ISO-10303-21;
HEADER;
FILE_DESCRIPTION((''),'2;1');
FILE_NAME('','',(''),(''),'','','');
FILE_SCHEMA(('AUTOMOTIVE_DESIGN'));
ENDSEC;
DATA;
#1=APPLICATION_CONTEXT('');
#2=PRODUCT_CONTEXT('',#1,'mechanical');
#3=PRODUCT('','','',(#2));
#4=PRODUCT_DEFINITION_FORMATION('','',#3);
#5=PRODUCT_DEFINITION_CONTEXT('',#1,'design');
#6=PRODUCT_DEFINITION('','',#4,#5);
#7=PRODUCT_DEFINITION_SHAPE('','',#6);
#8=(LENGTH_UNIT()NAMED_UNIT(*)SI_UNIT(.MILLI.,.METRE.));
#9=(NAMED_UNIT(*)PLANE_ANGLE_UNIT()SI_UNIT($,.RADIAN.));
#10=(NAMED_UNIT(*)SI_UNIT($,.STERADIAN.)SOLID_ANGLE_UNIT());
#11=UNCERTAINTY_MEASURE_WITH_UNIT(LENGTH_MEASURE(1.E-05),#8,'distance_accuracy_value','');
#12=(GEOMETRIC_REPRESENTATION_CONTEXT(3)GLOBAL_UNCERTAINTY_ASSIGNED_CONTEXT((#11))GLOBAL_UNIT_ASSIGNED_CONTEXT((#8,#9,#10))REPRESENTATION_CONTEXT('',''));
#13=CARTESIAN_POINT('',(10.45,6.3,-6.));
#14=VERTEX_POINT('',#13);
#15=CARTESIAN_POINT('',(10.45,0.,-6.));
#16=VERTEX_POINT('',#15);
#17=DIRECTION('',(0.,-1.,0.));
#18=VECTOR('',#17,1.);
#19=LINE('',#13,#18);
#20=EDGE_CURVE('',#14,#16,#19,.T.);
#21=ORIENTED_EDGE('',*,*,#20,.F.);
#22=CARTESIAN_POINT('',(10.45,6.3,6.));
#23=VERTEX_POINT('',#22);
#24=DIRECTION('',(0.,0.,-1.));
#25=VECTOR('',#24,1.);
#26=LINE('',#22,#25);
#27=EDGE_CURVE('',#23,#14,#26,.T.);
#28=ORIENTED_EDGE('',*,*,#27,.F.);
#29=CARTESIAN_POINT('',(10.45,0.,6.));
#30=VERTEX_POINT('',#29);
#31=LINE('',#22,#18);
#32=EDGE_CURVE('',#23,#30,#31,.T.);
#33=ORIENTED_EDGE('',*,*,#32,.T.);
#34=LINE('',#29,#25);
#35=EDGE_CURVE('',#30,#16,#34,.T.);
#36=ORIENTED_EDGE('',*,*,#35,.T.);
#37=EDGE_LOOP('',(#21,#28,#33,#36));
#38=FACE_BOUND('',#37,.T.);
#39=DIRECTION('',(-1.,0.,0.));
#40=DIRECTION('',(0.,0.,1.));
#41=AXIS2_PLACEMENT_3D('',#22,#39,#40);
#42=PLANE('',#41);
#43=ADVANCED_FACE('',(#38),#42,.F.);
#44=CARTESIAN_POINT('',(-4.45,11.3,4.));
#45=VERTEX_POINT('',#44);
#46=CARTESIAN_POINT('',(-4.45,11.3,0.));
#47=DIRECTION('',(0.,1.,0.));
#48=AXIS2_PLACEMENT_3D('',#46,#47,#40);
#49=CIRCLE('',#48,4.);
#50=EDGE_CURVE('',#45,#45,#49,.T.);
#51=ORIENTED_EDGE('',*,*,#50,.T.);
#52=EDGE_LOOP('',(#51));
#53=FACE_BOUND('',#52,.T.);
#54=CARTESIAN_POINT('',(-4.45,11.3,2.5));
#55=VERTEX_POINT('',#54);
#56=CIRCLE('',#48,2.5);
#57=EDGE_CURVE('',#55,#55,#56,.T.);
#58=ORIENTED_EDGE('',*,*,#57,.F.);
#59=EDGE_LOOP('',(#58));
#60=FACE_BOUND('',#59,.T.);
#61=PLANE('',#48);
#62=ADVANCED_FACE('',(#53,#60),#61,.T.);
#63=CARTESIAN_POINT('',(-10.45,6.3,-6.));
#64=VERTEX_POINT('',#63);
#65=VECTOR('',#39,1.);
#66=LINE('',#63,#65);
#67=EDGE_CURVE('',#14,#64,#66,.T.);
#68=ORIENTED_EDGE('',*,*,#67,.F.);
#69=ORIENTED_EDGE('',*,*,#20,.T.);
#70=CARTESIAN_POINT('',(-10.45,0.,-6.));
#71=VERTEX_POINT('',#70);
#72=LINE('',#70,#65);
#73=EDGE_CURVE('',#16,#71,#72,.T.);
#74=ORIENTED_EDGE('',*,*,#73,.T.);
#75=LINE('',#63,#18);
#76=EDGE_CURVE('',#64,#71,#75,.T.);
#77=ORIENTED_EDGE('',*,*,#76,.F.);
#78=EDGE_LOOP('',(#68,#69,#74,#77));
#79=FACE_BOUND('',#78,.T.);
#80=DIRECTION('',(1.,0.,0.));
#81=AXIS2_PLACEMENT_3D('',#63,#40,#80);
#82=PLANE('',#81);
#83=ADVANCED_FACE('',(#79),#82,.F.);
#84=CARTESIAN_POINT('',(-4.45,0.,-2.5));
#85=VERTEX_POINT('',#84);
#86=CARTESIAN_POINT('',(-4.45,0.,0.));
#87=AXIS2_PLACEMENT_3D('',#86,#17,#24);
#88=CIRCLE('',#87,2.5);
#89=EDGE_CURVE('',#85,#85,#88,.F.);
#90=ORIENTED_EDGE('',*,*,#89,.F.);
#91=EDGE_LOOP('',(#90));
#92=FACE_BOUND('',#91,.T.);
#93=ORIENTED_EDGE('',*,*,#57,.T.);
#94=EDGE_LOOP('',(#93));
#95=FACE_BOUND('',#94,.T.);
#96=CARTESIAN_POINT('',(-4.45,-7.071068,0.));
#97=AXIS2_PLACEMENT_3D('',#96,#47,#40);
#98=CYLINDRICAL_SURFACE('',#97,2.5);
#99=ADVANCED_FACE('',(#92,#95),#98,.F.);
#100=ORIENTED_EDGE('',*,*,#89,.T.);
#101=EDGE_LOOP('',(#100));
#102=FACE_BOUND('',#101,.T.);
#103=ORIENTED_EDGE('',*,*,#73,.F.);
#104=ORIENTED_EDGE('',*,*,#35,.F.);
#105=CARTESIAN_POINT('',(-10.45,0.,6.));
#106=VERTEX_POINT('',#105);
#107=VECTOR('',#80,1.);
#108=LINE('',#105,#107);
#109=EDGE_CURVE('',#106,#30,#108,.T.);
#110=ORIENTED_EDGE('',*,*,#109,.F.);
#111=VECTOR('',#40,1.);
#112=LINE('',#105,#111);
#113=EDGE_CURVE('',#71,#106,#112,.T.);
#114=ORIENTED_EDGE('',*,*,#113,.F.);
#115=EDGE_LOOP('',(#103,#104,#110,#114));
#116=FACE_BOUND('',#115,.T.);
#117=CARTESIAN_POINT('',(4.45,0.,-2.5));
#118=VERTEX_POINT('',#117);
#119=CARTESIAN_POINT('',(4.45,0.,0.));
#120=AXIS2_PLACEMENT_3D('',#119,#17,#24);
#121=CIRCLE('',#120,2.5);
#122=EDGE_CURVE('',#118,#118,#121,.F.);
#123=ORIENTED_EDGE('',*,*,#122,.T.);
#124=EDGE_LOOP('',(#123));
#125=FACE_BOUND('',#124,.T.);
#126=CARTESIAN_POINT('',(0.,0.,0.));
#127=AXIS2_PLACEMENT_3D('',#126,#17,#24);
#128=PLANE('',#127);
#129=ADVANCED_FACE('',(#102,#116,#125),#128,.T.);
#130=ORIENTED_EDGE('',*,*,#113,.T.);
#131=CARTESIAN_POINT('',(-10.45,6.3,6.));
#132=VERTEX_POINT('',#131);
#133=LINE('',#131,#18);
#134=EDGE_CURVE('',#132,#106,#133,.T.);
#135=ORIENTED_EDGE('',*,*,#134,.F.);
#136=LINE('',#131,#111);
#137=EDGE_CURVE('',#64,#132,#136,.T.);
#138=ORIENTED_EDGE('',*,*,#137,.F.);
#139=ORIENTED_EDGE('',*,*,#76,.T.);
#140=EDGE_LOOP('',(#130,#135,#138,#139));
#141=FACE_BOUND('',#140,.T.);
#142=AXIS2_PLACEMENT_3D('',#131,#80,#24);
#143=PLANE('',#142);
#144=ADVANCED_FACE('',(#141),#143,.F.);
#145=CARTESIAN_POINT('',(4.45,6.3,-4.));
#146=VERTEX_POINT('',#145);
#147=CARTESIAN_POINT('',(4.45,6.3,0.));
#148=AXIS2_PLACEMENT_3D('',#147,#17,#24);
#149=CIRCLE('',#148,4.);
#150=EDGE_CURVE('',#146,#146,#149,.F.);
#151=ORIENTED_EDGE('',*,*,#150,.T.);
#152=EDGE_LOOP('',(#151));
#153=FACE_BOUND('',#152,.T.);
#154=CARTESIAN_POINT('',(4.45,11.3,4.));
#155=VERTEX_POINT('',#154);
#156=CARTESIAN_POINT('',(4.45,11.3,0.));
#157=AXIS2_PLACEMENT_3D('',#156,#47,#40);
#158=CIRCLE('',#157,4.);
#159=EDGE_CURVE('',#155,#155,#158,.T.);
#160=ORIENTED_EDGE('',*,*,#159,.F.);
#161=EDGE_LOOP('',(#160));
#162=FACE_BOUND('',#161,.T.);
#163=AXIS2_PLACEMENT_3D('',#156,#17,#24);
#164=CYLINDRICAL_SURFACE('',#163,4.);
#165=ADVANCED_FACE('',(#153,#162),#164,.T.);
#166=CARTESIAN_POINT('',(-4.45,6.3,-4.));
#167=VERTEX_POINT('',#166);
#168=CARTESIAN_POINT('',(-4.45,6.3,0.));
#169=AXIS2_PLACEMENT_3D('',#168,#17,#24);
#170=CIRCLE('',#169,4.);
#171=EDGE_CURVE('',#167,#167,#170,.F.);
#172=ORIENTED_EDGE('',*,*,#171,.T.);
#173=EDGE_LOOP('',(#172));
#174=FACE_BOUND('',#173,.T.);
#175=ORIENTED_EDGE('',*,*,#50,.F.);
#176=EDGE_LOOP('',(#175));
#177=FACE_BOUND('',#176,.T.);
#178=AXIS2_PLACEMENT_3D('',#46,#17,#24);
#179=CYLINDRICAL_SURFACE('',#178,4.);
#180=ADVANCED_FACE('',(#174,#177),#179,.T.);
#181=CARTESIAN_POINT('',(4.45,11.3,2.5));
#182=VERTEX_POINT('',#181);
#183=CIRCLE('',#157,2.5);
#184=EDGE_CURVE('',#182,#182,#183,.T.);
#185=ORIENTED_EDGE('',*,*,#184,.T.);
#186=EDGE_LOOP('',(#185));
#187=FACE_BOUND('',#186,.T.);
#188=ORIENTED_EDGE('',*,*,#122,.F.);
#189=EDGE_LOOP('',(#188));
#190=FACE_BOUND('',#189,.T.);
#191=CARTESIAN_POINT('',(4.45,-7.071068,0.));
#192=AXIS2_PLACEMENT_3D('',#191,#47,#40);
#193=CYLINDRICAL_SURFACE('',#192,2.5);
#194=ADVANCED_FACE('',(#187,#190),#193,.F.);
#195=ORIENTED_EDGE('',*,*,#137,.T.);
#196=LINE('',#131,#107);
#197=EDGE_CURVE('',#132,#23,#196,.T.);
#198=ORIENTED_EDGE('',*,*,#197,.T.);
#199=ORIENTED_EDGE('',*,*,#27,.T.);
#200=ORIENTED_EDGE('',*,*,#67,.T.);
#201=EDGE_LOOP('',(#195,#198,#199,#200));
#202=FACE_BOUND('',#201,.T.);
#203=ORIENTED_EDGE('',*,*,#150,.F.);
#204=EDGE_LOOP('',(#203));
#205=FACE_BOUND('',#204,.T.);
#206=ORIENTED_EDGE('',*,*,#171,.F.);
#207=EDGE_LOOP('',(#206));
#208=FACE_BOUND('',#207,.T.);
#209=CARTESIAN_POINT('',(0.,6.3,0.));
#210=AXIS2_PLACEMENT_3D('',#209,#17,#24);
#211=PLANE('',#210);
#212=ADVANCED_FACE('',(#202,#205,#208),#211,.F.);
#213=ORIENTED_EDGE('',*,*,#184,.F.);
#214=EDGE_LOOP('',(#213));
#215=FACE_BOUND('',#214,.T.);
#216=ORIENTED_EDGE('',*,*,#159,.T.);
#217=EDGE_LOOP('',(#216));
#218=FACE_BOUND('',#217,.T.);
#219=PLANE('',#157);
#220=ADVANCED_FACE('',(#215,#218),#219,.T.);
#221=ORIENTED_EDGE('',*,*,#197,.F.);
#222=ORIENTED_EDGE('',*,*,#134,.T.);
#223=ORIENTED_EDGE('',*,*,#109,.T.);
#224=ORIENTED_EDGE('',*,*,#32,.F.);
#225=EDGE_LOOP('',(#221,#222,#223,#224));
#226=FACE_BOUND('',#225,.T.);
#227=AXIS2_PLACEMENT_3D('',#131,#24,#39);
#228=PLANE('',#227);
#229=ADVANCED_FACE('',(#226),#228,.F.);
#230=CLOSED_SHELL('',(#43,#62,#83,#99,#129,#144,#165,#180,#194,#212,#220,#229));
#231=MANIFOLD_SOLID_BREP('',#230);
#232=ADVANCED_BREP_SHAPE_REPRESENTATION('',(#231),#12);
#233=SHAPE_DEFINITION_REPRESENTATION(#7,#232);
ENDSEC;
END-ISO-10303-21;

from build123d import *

# Parameters (mm, degrees)
SKETCH1_W           = 20.9
SKETCH1_H           = 12
BOSS_EXTRUDE1_DEPTH = 6.3
SKETCH2_R           = 4
BOSS_EXTRUDE2_DEPTH = 5
SKETCH3_R           = 2.5
CUT_EXTRUDE1_DEPTH  = 11.3


with BuildPart() as part:
    # Sketch1 → Boss-Extrude1 (new body)
    with BuildSketch(Plane(origin=(0, 0, 0), x_dir=(1, 0, 0), z_dir=(0, 1, 0))):
        Rectangle(SKETCH1_W, SKETCH1_H)
    extrude(amount=BOSS_EXTRUDE1_DEPTH)

    # Sketch2 → Boss-Extrude2 (add)
    with BuildSketch(Plane(origin=(0, 6.3, 0), x_dir=(1, 0, 0), z_dir=(0, 1, 0))):
        with Locations((-4.45, 0)):
            Circle(SKETCH2_R)
        with Locations((4.45, 0)):
            Circle(SKETCH2_R)
    extrude(amount=BOSS_EXTRUDE2_DEPTH)

    # Sketch3 → Cut-Extrude1 (cut)
    with BuildSketch(Plane(origin=(0, 11.3, 0), x_dir=(1, 0, 0), z_dir=(0, 1, 0))):
        with Locations((4.45, 0)):
            Circle(SKETCH3_R)
        with Locations((-4.45, 0)):
            Circle(SKETCH3_R)
    extrude(amount=-CUT_EXTRUDE1_DEPTH, mode=Mode.SUBTRACT)


solid = part.part
